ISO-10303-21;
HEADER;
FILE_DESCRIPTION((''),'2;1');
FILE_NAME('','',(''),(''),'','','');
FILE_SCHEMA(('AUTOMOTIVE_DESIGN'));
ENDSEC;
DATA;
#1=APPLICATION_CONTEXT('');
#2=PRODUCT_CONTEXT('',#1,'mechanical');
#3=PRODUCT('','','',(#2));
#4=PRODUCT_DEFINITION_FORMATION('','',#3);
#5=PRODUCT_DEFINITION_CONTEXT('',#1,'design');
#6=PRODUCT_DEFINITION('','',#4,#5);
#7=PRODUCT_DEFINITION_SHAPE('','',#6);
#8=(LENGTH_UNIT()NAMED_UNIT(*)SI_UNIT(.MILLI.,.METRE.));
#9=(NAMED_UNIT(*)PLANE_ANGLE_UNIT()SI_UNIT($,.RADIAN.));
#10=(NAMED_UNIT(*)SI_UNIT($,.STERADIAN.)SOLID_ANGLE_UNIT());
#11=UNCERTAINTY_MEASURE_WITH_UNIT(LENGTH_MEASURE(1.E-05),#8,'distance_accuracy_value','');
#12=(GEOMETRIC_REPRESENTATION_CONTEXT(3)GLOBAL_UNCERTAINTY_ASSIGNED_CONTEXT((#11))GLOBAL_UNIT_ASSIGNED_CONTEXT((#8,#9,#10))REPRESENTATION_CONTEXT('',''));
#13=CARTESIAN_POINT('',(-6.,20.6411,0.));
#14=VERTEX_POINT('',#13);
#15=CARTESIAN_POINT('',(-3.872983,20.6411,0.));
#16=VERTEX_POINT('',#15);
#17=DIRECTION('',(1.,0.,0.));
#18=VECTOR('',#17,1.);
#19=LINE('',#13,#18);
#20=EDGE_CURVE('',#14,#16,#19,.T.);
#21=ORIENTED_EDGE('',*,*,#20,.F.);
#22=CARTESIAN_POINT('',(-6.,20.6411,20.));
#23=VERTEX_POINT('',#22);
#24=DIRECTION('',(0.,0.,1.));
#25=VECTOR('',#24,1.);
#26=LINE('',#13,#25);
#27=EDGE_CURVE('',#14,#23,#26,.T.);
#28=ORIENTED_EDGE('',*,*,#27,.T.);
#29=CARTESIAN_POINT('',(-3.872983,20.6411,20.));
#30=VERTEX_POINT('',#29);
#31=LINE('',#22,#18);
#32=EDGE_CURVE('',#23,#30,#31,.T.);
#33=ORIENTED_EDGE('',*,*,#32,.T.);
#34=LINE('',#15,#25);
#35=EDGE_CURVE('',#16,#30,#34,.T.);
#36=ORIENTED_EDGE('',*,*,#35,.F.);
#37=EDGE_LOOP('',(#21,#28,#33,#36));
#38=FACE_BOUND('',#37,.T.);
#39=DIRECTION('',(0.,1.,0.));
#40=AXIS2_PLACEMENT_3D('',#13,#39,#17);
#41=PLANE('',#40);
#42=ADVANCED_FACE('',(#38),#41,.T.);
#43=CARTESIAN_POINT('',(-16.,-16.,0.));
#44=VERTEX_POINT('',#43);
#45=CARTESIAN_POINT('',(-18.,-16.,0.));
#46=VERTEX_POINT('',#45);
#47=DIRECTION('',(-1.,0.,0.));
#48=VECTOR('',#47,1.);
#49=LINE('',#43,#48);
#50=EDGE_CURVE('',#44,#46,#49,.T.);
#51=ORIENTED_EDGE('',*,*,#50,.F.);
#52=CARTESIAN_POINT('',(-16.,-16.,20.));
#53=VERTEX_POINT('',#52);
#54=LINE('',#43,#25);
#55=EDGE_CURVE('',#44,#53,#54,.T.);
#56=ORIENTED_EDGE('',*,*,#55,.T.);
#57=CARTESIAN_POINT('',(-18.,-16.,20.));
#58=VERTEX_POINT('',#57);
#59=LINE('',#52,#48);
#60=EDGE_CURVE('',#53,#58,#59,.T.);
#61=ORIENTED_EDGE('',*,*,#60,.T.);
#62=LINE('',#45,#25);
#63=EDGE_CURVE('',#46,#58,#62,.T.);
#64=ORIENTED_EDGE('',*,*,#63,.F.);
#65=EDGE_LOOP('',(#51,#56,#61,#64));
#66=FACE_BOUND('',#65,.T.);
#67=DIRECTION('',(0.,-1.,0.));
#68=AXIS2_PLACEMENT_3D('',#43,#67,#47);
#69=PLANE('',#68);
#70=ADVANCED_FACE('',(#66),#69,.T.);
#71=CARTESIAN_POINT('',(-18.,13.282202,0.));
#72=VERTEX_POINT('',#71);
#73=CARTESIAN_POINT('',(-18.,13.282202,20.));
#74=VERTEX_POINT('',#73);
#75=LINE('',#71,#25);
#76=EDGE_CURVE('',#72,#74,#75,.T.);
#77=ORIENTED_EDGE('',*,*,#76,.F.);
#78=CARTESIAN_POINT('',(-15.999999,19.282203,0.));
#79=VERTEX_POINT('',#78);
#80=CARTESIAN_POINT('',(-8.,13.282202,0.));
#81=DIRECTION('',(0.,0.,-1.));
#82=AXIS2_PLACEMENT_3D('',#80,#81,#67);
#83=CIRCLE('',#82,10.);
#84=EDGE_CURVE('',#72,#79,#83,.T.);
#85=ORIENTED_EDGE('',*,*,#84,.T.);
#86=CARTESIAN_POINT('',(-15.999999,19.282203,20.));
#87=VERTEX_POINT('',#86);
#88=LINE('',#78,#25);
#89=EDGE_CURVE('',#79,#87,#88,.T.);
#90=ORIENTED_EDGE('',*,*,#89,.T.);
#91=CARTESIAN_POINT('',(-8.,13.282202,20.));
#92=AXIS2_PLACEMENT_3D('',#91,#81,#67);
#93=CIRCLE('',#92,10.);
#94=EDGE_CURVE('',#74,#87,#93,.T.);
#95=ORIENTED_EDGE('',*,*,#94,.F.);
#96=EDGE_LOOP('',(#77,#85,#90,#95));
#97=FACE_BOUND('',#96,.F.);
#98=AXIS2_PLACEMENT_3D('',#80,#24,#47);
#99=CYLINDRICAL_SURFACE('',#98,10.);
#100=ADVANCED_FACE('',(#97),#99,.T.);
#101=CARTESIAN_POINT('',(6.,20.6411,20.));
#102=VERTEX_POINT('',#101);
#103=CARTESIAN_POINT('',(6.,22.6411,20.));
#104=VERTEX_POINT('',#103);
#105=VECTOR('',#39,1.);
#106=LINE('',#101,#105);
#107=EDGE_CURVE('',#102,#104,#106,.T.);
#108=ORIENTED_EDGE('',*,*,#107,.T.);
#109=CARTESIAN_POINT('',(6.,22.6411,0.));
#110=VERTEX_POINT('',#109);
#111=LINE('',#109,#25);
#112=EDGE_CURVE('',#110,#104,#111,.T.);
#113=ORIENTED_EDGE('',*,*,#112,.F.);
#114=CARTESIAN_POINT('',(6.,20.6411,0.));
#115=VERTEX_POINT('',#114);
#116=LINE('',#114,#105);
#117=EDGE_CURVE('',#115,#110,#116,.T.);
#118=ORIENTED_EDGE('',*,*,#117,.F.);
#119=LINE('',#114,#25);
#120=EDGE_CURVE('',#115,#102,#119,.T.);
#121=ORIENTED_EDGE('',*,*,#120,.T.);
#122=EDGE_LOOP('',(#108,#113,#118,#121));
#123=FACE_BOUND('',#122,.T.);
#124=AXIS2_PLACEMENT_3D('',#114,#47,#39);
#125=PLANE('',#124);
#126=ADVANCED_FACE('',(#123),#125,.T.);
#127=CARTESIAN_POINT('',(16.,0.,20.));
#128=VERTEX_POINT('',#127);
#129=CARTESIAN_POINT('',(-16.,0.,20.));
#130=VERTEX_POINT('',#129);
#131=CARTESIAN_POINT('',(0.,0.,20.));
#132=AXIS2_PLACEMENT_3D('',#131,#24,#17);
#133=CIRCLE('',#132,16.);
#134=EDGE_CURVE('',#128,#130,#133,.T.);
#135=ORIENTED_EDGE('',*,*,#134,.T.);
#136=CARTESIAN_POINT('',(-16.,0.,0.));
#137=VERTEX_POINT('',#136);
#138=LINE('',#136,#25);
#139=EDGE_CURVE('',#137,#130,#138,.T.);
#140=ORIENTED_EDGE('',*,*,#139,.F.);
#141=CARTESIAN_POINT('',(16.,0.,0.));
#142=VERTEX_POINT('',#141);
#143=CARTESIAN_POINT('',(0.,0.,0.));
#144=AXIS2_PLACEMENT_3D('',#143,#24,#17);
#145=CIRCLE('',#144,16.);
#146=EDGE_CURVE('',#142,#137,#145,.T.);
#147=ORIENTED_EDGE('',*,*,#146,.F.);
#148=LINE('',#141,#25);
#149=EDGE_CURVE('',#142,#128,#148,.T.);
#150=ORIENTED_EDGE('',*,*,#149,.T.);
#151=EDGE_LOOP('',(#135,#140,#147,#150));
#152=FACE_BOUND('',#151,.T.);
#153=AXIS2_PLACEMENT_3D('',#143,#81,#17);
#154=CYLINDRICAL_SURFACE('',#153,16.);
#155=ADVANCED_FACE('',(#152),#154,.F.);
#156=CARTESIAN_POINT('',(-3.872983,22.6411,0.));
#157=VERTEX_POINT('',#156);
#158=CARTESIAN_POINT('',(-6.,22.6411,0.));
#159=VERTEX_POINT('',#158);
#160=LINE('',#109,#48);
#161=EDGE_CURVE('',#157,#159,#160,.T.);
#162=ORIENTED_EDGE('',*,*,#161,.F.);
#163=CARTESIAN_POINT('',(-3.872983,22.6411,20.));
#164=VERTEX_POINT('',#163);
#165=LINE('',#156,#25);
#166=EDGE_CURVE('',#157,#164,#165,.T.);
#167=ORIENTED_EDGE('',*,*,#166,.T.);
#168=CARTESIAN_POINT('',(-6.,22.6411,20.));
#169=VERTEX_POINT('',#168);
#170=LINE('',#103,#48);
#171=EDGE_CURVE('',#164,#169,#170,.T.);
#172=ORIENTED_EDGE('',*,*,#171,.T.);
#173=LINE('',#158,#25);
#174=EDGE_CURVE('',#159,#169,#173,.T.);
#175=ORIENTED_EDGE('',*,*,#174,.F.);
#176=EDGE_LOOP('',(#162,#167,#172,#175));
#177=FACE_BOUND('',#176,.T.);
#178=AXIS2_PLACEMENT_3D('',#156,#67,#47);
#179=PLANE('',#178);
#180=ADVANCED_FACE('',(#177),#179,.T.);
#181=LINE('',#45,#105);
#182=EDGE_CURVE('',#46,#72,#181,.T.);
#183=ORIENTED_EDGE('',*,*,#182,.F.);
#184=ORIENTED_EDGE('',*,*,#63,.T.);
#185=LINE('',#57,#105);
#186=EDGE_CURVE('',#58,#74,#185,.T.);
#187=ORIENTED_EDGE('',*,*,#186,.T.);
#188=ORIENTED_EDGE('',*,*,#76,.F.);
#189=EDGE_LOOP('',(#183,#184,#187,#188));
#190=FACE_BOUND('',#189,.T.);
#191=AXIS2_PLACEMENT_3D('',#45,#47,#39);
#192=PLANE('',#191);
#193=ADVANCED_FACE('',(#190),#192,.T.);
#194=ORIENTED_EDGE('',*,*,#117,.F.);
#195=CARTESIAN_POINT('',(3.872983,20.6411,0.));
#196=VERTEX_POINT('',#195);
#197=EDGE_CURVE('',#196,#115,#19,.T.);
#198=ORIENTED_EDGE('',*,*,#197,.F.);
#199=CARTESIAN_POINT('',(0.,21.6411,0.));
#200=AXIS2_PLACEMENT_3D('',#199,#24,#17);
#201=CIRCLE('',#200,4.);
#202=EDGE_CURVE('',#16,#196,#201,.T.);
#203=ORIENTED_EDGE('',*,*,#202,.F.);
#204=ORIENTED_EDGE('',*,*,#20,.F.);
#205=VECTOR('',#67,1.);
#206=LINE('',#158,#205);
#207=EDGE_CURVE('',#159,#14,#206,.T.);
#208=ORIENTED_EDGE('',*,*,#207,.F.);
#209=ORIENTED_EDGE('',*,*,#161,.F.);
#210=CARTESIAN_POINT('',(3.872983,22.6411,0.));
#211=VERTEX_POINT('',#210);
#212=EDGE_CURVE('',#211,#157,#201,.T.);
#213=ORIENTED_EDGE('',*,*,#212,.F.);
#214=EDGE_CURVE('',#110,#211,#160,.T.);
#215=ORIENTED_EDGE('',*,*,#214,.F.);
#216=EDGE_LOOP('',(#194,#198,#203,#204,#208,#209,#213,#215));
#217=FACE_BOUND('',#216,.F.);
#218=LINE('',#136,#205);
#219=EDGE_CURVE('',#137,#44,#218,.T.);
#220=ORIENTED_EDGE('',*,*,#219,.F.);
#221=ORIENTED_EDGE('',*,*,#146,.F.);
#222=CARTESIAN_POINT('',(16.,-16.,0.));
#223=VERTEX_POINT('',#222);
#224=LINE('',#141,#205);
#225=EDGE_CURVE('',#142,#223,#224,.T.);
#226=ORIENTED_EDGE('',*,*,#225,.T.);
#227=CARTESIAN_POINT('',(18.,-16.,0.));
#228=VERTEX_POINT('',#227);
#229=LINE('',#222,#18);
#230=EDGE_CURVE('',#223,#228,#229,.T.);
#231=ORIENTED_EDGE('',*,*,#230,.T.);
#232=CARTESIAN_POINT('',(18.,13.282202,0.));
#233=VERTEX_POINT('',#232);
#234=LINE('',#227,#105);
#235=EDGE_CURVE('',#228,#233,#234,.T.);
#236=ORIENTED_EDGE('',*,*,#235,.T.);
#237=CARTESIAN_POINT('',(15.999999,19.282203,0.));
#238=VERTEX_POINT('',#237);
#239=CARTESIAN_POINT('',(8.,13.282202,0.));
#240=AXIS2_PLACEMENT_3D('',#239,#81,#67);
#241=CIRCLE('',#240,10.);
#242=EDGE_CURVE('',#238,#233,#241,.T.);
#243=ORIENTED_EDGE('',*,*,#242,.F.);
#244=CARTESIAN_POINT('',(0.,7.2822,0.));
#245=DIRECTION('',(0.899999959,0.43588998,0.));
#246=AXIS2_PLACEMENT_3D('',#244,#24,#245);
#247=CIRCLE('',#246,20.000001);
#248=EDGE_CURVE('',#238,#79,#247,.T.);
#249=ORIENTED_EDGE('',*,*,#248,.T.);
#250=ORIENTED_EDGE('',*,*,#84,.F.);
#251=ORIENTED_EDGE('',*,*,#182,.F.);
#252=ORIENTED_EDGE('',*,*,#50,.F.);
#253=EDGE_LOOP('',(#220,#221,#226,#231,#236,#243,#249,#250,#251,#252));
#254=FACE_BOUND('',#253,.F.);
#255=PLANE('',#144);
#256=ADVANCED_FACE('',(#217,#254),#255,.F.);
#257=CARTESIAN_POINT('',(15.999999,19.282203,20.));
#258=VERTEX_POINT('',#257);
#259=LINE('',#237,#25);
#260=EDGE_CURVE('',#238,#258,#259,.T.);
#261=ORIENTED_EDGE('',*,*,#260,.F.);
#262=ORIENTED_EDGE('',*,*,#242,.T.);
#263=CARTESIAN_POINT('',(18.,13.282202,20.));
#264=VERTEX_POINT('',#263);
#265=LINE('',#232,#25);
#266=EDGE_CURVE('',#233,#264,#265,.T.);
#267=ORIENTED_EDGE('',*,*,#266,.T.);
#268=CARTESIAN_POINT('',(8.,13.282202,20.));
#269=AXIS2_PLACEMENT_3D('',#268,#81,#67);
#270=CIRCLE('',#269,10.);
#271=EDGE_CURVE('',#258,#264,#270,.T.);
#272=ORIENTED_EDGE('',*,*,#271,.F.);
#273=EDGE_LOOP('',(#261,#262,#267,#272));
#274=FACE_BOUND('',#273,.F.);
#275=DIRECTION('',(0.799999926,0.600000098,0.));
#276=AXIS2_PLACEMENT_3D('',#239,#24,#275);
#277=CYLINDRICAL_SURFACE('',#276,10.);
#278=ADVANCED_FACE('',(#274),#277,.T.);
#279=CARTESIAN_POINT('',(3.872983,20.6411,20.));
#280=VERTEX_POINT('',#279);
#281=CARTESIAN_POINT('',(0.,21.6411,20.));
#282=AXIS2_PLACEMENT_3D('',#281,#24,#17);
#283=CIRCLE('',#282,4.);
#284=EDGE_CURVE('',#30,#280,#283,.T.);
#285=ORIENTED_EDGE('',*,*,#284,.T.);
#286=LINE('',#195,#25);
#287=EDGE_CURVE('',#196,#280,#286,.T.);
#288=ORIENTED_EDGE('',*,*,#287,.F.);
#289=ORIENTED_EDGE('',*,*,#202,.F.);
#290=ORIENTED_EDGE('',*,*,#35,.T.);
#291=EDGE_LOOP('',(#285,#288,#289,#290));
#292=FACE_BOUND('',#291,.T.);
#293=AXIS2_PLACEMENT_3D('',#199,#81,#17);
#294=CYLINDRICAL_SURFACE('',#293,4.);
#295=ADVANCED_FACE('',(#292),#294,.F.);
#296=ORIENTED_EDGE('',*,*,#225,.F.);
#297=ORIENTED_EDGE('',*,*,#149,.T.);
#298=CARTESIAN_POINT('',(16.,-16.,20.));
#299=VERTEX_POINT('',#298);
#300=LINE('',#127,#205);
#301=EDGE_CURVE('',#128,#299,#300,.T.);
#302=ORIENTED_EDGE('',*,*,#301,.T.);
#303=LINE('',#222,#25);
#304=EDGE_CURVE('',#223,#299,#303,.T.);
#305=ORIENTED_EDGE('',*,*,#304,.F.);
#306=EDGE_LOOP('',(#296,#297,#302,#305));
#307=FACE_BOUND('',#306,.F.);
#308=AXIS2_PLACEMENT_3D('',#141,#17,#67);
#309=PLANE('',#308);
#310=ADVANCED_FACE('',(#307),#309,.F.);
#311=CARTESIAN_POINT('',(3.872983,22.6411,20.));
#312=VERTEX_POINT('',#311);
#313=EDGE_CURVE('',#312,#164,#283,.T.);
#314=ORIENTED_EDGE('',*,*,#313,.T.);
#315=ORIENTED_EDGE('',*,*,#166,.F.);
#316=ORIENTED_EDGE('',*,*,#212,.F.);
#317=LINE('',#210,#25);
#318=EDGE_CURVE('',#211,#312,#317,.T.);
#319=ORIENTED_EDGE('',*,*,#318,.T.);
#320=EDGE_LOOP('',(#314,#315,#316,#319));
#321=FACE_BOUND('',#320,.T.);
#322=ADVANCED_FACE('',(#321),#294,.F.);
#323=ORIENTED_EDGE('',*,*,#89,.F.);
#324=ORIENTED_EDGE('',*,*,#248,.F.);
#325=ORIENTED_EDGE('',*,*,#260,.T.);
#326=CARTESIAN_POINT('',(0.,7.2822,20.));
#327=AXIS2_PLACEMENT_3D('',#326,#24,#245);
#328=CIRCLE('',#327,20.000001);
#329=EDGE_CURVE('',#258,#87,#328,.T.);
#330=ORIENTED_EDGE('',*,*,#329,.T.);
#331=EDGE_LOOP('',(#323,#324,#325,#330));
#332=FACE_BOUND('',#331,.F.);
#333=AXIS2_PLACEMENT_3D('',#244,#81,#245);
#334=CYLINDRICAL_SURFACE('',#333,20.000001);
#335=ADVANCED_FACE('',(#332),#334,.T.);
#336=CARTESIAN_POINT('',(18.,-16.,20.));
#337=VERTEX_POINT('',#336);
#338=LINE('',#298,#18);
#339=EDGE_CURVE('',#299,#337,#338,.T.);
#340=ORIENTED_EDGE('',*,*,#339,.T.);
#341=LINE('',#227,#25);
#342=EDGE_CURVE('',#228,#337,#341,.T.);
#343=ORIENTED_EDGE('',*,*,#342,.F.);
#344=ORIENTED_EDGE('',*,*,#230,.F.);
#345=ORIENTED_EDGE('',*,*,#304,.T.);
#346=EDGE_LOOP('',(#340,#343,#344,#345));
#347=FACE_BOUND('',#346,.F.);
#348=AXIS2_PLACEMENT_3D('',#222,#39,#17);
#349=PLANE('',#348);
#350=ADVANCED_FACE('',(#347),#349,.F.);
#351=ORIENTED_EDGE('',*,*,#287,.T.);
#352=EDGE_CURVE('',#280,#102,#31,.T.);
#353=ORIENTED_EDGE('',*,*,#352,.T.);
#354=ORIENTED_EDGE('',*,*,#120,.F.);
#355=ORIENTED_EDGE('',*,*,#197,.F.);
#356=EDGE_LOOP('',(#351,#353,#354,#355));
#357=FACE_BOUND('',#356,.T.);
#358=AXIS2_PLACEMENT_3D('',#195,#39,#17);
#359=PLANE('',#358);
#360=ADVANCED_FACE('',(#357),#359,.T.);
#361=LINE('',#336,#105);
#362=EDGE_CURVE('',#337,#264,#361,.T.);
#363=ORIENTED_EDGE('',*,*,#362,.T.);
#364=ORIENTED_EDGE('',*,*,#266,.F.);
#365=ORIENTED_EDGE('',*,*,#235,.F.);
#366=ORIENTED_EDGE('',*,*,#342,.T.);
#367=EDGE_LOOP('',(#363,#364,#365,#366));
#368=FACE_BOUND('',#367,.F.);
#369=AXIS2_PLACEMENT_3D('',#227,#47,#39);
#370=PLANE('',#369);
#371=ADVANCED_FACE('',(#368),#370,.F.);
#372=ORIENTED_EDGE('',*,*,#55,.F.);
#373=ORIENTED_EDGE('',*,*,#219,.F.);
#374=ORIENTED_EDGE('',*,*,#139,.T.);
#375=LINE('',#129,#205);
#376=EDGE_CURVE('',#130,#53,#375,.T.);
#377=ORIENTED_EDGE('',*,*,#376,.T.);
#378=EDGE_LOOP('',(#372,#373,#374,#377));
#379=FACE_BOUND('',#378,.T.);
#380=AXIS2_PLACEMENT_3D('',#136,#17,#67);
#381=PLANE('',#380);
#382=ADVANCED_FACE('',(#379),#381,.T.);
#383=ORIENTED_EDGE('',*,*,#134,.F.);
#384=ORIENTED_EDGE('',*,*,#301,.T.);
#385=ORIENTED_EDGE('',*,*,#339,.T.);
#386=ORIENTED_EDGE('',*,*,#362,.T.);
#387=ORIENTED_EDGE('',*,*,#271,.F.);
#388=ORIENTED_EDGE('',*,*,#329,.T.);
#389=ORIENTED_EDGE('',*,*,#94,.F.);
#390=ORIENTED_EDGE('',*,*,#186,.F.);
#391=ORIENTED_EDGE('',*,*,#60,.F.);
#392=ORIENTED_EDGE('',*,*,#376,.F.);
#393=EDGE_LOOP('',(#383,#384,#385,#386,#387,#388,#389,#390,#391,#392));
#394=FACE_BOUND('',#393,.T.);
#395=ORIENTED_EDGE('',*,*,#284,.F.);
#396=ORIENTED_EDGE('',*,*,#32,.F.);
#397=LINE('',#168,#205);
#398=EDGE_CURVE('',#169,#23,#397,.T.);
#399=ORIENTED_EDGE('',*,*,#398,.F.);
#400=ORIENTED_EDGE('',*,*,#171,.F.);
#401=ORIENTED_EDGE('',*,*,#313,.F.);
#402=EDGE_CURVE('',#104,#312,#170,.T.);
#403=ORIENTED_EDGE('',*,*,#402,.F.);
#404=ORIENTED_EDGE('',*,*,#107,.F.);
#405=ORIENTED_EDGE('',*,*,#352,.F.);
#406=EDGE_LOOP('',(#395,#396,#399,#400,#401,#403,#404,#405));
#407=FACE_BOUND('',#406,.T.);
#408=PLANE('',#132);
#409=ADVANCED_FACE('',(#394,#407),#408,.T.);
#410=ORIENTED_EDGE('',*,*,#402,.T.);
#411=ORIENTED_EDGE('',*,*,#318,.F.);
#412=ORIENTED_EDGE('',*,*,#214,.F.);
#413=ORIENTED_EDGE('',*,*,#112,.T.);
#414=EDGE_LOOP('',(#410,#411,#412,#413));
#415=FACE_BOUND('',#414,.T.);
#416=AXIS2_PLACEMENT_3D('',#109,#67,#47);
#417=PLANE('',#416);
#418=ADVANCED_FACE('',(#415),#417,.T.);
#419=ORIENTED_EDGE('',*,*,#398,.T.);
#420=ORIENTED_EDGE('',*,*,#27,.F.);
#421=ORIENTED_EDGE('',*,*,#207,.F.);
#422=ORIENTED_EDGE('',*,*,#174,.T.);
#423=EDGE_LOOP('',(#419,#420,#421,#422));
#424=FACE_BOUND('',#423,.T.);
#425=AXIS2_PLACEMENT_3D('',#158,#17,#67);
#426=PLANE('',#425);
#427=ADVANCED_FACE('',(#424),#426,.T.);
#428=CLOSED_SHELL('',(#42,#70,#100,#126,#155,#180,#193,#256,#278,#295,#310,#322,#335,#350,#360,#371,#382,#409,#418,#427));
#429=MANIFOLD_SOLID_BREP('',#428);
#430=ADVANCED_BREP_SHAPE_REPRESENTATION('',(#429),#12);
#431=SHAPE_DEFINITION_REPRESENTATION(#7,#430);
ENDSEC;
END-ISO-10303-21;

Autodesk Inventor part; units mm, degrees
ref_plane "YZ Plane" through (0, 0, 0) normal (1, 0, 0) x (0, 1, 0)
ref_plane "XZ Plane" through (0, 0, 0) normal (0, 1, 0) x (-1, 0, 0)
ref_plane "XY Plane" through (0, 0, 0) normal (0, 0, 1) x (1, 0, 0)
sketch "Sketch1" plane through (0, 0, 0) normal (0, 0, 1) x (1, 0, 0)
  arc A0 (16, 0) -> (-16, 0) centre (0, 0) ccw
  line L0 (-16, 0) -> (-16, -16)
  line L1 (16, 0) -> (16, -16)
  line L2 (-16, -16) -> (-18, -16)
  line L3 (-18, -16) -> (-18, 16)
  line L4 (16, -16) -> (18, -16)
  line L5 (18, -16) -> (18, 16)
  circle A1 centre (0, 21.6411) radius 4
  arc A2 (18, 16) -> (-18, 16) centre (0, 7.2822) ccw
  line L6 (-6, 20.6411) -> (6, 20.6411)
  line L7 (6, 20.6411) -> (6, 22.6411)
  line L8 (6, 22.6411) -> (-6, 22.6411)
  line L9 (-6, 22.6411) -> (-6, 20.6411)
  line L10 (-6, 20.6411) -> (6, 22.6411) construction
  line L11 (6, 20.6411) -> (-6, 22.6411) construction
  point P0 (3.873, 20.6411)
  point P1 (-3.873, 20.6411)
  point P2 (-3.873, 22.6411)
  point P3 (3.873, 22.6411)
  dimension "d6" = 32
  dimension "d7" = 2
  dimension "d8" = 2
  dimension "d10" = 8
  dimension "d11" = 12
  dimension "d12" = 2
  dimension "d13" = 20
extrude "Extrusion1" add sketch "Sketch1" along normal blind 20
fillet "Fillet1" radius 10 2 edges at (18, 16, 10) (-18, 16, 10)
properties part number "final sorrting_3DPrint"
